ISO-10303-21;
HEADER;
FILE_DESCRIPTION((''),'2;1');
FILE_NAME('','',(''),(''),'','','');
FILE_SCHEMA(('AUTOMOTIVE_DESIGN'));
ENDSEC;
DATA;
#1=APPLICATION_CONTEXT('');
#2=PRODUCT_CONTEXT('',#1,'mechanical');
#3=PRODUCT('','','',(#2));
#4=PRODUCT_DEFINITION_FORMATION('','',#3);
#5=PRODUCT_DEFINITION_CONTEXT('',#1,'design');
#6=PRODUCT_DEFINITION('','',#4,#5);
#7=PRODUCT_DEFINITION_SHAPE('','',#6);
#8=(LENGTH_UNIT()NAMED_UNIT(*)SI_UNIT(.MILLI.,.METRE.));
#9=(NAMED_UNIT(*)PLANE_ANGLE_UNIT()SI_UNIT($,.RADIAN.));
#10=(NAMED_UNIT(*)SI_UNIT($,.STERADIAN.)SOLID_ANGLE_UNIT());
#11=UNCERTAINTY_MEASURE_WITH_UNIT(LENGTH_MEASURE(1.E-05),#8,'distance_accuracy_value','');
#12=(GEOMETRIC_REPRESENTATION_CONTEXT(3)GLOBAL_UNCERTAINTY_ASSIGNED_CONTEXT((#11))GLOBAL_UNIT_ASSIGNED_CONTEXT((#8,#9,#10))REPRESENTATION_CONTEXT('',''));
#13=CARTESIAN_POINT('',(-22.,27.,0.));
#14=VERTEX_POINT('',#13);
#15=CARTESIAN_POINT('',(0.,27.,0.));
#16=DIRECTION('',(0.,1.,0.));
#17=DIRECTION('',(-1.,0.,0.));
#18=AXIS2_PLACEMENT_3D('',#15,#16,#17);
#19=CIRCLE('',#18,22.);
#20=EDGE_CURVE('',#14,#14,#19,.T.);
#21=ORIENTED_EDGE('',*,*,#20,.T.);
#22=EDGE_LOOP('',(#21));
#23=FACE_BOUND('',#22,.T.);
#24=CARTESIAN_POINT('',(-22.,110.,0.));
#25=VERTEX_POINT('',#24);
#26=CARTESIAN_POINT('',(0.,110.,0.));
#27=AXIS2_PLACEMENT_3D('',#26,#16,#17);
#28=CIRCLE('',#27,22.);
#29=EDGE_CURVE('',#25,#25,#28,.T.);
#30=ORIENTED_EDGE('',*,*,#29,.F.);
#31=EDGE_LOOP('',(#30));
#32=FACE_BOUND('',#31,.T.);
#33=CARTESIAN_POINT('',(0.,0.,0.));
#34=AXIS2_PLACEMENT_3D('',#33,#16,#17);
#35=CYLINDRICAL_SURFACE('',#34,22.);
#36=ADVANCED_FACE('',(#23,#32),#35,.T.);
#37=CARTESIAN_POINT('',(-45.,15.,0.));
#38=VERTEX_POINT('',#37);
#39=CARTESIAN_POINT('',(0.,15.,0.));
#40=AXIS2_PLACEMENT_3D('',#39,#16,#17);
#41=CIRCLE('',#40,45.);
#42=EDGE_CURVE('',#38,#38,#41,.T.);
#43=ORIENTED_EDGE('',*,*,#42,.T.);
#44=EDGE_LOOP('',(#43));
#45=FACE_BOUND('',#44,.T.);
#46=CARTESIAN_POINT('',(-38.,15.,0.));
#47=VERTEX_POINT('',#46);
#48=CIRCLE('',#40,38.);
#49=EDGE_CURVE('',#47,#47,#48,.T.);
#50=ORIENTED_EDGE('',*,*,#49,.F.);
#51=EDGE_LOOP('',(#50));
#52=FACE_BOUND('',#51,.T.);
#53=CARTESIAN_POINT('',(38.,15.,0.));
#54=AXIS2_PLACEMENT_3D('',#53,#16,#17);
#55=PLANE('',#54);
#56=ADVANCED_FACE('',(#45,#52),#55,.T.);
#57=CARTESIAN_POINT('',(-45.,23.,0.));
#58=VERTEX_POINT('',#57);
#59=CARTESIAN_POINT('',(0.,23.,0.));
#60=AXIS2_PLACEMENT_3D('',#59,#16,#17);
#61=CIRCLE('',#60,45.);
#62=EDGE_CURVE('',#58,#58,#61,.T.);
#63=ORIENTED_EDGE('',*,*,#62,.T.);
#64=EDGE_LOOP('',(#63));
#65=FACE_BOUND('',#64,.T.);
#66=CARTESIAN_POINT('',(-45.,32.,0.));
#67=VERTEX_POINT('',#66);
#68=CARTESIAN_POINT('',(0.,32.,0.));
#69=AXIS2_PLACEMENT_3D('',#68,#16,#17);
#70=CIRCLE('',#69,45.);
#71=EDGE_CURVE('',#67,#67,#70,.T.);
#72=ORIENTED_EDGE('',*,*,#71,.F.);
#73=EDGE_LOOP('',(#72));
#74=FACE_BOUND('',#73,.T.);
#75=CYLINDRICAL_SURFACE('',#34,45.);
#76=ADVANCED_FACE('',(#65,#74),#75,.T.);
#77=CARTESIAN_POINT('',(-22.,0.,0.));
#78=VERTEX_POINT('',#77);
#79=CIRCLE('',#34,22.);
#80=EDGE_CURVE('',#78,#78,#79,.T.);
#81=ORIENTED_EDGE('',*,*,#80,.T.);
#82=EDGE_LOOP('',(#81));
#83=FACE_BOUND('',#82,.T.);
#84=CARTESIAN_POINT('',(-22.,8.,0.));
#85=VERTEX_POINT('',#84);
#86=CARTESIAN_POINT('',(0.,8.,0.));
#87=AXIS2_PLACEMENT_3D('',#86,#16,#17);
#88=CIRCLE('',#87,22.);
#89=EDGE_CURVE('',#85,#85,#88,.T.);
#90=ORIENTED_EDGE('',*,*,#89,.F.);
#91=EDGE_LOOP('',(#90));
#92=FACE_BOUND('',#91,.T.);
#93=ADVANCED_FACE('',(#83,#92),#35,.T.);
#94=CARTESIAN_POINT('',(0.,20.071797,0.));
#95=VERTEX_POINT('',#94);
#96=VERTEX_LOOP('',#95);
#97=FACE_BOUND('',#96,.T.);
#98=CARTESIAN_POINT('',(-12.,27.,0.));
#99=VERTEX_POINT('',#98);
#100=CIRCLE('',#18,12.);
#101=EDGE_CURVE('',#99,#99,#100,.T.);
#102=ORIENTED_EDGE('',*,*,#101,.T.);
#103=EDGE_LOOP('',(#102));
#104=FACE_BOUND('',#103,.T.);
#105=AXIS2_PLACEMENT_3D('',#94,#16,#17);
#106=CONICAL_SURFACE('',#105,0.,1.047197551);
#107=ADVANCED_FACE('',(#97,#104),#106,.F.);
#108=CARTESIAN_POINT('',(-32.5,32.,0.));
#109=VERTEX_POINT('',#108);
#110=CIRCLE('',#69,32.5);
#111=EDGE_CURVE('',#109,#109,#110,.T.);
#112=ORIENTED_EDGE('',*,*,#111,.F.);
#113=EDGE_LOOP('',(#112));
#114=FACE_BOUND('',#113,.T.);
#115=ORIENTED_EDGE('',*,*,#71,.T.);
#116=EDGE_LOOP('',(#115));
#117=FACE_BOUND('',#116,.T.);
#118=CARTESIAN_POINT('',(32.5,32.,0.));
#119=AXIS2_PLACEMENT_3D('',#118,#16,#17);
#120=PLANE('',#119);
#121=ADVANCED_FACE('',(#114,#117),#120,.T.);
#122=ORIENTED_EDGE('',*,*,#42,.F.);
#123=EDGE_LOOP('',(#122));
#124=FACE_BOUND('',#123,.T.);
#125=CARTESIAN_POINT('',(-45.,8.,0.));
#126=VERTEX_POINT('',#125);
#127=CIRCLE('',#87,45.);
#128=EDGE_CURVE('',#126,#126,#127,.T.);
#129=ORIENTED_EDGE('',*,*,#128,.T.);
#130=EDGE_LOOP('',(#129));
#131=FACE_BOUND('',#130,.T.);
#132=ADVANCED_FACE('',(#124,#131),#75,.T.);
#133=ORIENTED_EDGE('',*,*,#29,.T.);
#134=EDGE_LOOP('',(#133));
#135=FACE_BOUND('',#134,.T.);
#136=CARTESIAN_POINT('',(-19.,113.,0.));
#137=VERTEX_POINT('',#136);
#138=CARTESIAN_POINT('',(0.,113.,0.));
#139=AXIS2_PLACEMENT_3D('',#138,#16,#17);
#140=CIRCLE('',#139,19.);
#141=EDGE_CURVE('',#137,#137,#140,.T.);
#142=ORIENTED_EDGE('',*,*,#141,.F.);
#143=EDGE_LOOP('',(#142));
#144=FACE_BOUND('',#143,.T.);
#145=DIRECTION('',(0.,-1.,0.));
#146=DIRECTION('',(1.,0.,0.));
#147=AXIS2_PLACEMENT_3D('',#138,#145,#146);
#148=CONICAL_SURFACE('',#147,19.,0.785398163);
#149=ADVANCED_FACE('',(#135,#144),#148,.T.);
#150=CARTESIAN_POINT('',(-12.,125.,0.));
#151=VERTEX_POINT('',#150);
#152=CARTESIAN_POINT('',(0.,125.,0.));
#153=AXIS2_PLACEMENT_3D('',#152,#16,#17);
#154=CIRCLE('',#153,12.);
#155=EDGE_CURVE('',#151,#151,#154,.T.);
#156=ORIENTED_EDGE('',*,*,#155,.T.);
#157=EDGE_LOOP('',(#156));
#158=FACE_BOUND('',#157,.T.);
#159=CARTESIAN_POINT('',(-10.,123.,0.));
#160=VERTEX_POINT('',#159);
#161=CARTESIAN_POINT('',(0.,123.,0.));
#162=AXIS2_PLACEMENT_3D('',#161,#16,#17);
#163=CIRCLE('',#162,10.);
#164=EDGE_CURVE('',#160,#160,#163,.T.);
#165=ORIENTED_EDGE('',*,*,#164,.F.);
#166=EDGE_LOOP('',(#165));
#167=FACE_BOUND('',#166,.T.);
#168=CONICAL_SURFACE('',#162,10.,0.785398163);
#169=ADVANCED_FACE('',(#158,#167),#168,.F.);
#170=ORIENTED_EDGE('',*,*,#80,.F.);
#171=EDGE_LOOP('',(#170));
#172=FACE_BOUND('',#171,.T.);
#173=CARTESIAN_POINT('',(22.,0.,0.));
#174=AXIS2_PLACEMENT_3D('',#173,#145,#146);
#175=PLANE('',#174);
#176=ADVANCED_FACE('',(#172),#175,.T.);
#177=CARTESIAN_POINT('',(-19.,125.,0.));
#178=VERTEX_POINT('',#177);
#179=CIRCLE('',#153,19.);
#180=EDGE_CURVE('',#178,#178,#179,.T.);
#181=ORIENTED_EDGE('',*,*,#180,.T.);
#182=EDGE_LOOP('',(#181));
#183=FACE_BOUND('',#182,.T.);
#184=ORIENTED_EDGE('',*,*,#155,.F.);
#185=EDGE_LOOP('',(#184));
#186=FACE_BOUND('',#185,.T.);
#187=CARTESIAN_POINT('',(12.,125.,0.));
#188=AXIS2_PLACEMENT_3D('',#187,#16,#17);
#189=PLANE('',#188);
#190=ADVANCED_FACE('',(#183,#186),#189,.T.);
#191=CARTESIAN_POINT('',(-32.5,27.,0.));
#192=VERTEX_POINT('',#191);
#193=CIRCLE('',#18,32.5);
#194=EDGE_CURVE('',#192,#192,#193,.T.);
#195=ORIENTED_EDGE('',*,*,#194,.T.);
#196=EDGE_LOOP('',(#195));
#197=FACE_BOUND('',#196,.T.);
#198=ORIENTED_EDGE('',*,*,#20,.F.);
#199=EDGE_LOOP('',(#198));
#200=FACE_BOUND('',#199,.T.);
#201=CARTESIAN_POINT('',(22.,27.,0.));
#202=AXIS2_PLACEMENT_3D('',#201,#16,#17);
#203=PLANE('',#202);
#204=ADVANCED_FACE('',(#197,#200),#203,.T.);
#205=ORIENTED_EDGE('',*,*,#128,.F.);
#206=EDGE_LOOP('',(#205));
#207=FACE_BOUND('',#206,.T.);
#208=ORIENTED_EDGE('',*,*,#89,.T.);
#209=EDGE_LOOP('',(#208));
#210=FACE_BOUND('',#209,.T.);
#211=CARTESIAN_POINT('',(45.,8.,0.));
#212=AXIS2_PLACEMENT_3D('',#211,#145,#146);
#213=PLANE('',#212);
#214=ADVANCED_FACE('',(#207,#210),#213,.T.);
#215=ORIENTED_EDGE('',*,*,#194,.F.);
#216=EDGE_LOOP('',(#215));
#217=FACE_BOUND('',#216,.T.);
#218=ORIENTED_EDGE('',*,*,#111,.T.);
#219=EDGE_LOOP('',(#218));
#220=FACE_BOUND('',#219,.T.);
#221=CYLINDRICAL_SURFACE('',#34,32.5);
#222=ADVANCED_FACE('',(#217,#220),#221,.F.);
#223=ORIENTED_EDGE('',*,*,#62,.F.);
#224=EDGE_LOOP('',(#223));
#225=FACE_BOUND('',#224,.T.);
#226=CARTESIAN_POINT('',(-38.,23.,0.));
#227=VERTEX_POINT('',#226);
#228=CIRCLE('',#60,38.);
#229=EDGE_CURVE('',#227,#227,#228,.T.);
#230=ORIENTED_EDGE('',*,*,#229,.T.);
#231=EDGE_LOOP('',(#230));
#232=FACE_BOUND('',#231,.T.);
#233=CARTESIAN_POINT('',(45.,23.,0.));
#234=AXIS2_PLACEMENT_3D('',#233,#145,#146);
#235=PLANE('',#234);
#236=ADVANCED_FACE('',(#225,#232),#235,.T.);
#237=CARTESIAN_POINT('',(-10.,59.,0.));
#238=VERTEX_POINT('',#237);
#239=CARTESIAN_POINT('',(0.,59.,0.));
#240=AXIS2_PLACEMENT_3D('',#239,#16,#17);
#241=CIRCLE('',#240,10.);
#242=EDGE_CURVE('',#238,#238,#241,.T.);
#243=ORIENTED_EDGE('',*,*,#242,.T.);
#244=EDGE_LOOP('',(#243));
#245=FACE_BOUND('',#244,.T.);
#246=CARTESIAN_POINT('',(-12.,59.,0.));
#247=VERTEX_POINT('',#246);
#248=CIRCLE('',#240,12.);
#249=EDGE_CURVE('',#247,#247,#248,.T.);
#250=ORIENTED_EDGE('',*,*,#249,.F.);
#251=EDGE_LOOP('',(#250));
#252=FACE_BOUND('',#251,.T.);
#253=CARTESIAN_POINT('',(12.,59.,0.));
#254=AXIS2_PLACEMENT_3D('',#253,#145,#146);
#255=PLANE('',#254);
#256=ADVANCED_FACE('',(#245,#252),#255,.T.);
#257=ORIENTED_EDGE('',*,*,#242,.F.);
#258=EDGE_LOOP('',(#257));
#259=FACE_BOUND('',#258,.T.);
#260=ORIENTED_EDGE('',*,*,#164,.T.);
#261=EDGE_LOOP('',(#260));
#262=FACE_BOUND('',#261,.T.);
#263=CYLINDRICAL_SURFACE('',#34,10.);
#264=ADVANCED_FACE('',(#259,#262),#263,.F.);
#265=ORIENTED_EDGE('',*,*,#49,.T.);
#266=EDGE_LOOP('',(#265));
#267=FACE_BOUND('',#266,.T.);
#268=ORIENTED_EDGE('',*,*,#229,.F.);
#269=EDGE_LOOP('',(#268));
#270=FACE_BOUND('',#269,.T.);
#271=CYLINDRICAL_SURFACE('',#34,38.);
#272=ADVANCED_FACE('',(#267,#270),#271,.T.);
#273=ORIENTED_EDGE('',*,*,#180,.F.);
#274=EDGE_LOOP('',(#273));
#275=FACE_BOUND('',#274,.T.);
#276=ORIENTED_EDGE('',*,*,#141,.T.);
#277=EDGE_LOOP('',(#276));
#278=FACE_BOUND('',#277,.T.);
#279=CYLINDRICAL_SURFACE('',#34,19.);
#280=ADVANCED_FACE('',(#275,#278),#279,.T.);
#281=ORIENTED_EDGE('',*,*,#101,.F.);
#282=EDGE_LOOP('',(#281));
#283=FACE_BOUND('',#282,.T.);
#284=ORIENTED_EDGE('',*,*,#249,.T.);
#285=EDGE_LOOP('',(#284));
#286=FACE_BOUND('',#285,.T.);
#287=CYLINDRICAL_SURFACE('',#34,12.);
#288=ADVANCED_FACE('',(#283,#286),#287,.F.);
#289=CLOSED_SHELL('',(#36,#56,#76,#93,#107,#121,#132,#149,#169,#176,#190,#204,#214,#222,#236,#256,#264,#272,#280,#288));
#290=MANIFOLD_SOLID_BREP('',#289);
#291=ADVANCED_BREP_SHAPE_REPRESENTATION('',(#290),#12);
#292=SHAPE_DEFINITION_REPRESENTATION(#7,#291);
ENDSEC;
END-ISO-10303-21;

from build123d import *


with BuildPart() as part:
    # Эскиз1 → Повернуть1 (revolve)
    with BuildSketch(Plane(origin=(0, 0, 0), x_dir=(-1, 0, 0), z_dir=(0, 0, -1)), mode=Mode.PRIVATE) as revolve_1_sk:
        Polygon((-22, 0), (0, 0), (0, 20.07179677), (-12, 27), (-12, 59), (-10, 59), (-10, 123), (-12, 125), (-19, 125), (-19, 113), (-22, 110), (-22, 27), (-32.5, 27), (-32.5, 32), (-45, 32), (-45, 23), (-38, 23), (-38, 15), (-45, 15), (-45, 8), (-22, 8), align=None)
    revolve(revolve_1_sk.sketch.rotate(Axis((0, 0, 0), (0, 1, 0)), 180), axis=Axis((0, 0, 0), (0, 1, 0)))


solid = part.part
